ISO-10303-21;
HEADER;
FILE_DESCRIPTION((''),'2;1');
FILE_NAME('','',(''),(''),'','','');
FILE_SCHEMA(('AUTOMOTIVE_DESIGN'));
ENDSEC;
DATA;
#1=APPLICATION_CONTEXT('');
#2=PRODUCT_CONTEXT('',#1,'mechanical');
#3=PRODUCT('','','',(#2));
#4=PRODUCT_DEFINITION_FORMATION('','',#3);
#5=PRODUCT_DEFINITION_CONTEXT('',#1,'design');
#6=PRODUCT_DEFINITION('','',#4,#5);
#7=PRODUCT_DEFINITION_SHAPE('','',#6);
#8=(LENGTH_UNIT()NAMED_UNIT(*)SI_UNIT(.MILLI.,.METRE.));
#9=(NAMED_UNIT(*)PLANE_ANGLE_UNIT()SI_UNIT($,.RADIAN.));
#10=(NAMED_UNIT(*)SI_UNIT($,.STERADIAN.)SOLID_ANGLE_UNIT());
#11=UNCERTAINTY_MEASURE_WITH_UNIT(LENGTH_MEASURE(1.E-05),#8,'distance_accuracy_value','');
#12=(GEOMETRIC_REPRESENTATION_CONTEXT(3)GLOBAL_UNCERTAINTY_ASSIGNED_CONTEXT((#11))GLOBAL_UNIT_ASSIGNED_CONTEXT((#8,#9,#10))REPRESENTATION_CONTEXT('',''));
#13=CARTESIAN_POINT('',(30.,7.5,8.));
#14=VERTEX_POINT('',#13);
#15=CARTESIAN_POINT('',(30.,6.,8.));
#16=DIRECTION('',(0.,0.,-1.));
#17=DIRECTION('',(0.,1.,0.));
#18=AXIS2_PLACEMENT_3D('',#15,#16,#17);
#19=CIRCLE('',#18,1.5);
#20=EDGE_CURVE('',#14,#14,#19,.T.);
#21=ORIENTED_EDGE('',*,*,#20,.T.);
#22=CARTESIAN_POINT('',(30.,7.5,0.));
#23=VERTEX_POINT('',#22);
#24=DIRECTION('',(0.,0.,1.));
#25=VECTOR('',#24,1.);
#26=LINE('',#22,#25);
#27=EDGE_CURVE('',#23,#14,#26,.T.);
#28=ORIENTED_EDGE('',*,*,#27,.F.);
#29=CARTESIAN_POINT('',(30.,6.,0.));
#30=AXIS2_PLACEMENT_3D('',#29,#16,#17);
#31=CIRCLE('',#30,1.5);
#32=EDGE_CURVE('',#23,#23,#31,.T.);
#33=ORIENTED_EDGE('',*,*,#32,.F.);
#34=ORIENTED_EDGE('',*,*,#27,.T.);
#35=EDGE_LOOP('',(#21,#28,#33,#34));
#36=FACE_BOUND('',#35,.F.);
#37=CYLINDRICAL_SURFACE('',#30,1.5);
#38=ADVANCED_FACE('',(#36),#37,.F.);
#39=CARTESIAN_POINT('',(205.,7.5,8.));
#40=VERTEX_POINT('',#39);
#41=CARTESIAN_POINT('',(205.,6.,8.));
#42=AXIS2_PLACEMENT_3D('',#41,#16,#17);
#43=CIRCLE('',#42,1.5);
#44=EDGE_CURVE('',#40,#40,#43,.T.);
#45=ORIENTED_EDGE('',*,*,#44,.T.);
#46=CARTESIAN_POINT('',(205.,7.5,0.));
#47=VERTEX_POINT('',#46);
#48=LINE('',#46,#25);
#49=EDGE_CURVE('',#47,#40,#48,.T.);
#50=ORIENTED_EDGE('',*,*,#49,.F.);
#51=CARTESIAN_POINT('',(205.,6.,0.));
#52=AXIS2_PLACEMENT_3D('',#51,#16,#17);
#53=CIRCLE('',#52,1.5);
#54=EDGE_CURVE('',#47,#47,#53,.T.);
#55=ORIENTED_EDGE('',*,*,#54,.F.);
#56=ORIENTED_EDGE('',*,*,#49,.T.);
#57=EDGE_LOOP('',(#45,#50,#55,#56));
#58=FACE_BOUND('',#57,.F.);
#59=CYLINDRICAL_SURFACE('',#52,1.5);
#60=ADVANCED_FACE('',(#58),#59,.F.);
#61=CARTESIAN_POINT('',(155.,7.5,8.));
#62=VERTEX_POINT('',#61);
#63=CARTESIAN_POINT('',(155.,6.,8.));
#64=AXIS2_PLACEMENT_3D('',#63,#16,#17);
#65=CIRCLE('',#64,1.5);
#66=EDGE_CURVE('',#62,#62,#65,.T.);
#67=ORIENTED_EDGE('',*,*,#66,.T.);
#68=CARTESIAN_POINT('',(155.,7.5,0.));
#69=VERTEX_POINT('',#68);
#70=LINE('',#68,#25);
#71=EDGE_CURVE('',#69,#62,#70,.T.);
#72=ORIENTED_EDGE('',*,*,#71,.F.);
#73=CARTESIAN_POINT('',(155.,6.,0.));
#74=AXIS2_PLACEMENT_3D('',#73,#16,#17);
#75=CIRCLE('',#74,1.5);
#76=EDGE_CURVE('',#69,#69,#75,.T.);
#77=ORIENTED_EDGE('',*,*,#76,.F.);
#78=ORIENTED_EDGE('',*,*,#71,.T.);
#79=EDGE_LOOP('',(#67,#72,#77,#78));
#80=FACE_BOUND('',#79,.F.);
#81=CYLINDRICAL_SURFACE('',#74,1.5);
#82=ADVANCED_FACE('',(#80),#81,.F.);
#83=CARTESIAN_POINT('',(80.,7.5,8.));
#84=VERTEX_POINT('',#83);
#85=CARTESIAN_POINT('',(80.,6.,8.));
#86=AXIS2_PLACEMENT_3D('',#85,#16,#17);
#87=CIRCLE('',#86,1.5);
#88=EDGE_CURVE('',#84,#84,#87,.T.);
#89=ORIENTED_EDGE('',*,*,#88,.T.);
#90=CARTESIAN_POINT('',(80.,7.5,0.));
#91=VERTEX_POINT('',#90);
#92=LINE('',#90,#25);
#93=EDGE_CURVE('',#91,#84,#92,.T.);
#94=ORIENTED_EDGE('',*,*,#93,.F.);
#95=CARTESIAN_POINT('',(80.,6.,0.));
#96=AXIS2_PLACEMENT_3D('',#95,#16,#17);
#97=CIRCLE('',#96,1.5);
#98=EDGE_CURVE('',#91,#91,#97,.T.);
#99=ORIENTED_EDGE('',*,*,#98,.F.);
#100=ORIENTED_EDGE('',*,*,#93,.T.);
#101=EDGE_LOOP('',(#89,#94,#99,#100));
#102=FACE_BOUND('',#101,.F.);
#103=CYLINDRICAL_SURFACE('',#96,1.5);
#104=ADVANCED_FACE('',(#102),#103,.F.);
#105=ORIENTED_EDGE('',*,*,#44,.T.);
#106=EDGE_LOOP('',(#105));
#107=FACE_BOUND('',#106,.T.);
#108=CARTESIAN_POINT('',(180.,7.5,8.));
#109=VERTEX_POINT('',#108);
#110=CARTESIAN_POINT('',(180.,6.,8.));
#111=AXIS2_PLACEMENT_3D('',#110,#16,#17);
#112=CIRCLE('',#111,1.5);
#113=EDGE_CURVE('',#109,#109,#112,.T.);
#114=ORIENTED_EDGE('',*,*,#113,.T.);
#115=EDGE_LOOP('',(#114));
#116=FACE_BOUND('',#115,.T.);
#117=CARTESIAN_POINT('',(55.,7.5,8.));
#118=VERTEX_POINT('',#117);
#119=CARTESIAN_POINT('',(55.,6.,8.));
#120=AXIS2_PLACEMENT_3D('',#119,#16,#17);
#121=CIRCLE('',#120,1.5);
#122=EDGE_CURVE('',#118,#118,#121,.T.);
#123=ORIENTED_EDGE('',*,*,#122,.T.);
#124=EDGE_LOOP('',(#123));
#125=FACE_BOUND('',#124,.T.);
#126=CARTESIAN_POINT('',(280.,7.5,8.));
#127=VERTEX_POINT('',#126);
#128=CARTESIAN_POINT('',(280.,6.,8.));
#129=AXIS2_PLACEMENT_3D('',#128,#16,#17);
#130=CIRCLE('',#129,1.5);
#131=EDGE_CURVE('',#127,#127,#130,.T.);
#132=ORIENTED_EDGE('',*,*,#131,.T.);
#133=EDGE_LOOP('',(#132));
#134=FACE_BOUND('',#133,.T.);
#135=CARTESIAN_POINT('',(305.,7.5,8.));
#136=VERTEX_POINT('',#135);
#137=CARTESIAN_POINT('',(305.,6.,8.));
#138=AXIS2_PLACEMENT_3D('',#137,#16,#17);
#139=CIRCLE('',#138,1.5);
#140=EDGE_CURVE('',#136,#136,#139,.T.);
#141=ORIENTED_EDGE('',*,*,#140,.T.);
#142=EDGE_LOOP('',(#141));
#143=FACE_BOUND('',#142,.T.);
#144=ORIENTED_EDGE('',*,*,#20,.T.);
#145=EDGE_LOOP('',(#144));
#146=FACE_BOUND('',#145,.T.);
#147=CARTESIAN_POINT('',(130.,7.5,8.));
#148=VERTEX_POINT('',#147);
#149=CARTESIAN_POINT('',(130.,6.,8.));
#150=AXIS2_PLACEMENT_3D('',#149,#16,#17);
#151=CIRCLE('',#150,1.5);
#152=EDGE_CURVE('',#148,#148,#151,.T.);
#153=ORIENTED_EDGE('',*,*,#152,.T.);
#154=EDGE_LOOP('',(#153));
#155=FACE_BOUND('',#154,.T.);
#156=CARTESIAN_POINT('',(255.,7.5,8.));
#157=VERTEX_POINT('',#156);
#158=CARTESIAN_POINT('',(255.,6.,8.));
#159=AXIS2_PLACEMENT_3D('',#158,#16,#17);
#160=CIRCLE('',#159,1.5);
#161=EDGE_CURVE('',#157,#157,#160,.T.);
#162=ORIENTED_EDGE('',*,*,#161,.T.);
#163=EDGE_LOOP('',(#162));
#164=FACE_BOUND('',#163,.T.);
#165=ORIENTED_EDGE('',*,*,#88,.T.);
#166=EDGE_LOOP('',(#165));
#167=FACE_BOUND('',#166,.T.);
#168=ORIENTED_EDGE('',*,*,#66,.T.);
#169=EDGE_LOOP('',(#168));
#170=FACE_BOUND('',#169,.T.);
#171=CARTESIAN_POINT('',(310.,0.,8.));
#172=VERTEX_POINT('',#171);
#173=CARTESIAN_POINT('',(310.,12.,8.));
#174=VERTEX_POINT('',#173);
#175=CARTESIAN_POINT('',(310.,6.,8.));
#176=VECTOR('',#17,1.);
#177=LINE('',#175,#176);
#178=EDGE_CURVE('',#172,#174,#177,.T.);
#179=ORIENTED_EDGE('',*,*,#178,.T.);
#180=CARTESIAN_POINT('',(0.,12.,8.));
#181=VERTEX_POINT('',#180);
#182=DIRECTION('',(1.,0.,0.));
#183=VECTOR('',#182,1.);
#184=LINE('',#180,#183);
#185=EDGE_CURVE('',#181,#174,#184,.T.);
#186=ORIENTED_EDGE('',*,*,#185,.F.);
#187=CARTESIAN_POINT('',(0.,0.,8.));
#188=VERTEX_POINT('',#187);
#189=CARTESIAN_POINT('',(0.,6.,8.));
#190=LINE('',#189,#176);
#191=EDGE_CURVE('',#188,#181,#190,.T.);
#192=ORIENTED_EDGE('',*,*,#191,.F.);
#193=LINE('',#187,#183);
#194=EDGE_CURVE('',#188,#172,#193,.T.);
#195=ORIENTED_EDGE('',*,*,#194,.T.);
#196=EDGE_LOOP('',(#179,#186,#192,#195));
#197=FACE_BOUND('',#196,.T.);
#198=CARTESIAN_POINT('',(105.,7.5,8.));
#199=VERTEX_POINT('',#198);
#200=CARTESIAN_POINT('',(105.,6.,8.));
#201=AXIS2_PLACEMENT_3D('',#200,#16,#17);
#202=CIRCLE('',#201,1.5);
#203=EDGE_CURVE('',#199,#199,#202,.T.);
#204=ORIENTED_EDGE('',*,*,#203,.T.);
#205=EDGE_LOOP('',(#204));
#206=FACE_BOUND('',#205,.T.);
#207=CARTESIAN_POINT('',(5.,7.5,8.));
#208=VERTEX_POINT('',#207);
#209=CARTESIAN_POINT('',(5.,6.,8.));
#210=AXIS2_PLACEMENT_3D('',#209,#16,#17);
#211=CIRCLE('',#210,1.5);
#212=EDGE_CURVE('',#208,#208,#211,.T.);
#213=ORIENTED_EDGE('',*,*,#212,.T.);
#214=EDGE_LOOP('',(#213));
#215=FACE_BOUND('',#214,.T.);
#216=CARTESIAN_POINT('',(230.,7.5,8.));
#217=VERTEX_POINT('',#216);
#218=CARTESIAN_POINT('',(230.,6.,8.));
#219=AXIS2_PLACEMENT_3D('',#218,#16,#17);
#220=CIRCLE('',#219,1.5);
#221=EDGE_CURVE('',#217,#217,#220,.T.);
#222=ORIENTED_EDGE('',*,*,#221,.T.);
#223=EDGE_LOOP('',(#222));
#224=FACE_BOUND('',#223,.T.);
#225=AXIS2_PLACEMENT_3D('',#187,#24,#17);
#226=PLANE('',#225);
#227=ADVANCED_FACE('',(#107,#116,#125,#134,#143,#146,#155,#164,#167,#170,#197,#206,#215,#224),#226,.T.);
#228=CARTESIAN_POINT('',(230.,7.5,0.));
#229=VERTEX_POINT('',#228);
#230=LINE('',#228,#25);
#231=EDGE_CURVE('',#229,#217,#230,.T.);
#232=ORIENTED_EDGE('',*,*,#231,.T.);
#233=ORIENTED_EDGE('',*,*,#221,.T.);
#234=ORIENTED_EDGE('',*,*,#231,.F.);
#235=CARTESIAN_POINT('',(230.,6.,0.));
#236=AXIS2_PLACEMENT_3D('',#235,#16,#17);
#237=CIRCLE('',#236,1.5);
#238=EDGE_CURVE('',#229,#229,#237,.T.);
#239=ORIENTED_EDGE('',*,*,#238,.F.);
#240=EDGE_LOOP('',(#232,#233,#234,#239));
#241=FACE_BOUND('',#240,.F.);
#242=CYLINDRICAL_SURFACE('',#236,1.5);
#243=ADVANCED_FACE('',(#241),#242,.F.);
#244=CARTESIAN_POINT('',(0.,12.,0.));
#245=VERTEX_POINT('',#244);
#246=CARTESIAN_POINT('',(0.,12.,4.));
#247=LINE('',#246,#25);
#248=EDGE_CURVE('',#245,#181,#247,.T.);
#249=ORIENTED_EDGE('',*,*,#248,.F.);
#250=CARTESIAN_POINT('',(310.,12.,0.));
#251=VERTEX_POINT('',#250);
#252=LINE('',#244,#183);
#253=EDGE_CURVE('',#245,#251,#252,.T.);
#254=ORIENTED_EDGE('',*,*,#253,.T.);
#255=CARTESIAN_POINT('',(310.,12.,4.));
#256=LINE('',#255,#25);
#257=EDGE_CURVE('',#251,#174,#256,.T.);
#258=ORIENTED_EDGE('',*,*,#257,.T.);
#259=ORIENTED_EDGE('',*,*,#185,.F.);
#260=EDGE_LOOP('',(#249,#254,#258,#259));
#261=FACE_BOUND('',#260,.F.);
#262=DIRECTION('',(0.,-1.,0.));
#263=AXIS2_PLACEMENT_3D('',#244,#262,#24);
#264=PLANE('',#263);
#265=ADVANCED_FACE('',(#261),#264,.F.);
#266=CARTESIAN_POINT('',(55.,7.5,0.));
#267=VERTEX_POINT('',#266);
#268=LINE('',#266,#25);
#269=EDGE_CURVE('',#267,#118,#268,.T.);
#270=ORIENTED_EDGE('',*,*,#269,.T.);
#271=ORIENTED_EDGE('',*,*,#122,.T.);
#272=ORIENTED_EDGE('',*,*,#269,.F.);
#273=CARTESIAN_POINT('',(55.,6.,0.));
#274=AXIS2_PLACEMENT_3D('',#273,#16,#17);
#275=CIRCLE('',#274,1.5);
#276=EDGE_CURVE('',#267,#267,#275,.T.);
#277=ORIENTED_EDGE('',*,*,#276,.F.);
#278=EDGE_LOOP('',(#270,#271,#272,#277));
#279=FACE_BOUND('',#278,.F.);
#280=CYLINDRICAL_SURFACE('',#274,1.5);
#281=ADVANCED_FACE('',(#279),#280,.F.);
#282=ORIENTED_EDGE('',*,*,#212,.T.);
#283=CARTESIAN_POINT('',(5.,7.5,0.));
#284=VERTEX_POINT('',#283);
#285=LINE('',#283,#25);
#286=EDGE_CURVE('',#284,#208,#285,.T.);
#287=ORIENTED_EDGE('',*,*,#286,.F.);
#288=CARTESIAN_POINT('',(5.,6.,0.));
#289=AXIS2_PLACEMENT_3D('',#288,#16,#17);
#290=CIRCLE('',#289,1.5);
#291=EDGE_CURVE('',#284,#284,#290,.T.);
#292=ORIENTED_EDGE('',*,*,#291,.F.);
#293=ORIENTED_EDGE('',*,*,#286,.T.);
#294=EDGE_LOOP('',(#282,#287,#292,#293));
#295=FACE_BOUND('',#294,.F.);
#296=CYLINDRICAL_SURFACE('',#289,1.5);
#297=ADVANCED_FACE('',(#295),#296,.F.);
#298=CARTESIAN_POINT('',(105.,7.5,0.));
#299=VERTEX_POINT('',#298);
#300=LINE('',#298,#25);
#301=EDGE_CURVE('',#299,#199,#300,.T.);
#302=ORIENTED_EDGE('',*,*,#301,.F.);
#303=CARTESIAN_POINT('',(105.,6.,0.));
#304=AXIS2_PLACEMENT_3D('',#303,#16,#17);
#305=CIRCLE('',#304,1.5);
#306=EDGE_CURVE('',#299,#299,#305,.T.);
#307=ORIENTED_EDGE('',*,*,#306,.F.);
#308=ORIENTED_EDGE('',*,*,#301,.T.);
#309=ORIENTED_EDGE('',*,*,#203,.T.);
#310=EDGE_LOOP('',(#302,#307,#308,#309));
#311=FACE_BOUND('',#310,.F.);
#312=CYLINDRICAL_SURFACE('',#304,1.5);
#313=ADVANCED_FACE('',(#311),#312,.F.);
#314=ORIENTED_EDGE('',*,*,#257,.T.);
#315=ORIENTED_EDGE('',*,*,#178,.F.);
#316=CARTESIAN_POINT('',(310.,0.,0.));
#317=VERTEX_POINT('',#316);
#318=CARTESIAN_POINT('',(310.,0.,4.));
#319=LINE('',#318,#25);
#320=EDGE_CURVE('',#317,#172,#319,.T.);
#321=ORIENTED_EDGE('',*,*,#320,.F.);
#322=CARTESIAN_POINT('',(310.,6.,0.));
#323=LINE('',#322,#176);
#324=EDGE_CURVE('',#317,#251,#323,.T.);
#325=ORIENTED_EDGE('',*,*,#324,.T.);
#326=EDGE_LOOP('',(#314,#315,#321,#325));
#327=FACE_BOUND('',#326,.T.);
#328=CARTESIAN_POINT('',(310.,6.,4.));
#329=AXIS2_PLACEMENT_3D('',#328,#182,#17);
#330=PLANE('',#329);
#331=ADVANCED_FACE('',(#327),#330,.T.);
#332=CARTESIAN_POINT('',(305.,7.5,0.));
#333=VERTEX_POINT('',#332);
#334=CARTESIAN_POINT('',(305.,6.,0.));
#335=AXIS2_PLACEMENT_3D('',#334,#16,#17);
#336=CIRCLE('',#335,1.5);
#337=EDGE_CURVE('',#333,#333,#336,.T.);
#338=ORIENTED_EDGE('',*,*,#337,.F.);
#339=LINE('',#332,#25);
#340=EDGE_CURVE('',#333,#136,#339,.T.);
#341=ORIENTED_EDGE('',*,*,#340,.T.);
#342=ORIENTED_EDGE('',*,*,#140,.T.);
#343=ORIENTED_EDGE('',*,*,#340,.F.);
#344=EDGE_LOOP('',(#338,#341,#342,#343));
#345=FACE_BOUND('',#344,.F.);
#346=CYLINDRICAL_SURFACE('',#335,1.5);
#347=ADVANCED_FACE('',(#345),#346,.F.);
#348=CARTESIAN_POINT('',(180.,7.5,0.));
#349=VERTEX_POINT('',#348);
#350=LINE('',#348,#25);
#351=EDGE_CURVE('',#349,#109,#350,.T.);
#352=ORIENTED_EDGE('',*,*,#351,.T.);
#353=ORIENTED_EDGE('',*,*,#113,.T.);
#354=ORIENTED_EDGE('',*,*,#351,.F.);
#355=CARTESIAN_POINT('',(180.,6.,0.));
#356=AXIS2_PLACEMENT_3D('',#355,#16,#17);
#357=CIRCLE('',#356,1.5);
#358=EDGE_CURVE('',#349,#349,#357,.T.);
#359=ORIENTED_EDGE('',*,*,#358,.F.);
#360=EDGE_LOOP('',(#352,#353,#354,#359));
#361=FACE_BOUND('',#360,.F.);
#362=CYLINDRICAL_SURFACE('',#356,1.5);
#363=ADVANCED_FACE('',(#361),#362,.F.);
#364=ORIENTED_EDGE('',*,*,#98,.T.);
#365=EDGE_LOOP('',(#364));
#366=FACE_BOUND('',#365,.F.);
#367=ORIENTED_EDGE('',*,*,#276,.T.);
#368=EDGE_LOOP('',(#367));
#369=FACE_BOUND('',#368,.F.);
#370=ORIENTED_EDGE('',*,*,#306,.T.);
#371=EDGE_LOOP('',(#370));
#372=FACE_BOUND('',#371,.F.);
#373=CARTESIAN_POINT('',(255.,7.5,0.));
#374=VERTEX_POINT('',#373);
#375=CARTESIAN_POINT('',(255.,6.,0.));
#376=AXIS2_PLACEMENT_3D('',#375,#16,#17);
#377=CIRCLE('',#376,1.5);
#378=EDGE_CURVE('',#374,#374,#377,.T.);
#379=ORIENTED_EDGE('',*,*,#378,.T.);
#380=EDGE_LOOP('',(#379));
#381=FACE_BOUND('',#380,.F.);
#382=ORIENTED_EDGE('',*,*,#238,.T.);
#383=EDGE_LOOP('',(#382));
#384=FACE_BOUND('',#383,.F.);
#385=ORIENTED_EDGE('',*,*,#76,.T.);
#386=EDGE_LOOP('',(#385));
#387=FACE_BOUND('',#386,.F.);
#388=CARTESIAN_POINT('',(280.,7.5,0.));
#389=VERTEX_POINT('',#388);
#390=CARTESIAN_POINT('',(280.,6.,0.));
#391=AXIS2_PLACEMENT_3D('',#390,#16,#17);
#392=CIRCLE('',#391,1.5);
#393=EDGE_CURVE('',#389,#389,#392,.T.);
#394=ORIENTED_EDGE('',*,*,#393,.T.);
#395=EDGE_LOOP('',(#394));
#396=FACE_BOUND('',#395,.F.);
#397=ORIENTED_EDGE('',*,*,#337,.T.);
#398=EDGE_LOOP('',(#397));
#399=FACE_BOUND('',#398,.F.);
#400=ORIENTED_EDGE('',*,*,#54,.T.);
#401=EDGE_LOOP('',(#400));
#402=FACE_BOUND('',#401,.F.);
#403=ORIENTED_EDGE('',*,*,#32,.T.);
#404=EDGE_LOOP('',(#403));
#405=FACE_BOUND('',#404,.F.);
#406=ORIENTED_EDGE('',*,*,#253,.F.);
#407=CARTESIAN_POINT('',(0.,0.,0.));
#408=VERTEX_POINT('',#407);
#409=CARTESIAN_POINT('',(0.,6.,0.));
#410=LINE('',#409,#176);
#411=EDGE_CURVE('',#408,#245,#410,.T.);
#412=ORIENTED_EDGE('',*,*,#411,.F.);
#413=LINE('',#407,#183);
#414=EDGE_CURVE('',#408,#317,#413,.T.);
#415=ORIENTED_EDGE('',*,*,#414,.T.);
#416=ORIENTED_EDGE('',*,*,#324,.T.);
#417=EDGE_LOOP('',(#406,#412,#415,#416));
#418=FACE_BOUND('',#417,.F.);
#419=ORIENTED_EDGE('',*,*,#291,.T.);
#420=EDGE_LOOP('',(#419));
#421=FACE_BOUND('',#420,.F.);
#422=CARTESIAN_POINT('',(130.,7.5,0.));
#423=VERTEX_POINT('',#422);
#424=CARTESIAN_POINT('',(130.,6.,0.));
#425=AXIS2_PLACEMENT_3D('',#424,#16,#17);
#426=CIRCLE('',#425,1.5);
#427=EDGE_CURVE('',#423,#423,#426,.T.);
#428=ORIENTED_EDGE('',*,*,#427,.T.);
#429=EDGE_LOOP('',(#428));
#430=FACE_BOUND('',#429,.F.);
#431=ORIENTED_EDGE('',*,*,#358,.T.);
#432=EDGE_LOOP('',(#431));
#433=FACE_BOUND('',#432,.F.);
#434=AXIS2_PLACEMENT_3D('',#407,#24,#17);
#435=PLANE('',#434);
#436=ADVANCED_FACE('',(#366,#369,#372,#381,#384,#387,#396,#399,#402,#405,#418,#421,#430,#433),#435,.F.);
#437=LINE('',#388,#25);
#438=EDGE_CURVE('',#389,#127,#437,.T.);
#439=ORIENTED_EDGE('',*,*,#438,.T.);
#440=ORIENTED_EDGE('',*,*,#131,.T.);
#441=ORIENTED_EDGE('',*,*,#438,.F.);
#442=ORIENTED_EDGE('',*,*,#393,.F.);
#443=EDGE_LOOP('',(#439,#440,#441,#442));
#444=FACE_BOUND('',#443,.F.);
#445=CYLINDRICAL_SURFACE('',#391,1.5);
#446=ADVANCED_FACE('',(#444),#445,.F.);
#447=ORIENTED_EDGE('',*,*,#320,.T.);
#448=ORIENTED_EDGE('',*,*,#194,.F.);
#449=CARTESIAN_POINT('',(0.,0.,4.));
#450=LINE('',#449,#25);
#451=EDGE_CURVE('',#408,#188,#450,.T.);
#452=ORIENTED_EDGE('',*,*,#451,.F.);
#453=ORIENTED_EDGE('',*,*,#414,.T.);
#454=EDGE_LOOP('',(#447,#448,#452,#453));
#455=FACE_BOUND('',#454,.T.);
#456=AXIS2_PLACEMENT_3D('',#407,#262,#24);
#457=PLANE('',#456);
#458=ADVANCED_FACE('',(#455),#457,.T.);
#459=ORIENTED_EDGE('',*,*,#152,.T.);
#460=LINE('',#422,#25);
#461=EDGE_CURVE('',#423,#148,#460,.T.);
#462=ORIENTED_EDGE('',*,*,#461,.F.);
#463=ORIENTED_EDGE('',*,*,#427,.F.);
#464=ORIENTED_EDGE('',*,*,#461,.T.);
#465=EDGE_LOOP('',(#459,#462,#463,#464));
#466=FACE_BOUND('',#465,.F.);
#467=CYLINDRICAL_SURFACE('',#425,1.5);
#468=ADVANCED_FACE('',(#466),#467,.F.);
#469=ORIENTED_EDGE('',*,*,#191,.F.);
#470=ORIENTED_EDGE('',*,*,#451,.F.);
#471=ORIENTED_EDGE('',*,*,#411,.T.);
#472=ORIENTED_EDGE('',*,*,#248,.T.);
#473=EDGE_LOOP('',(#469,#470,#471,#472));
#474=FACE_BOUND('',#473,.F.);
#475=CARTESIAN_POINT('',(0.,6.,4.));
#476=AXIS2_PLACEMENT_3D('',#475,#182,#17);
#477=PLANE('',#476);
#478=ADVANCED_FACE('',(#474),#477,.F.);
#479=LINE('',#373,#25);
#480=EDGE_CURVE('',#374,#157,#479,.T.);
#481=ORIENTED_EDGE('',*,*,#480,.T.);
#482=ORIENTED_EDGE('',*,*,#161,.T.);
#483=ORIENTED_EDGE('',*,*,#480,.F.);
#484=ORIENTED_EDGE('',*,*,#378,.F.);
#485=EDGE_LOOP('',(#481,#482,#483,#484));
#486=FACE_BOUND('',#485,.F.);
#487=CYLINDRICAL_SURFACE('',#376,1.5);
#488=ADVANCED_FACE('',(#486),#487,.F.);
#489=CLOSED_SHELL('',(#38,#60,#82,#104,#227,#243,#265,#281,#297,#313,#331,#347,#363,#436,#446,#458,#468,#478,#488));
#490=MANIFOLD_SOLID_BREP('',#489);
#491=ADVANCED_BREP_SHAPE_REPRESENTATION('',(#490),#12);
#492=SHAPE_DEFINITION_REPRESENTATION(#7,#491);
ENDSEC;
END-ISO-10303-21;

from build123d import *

# Parameters (mm, degrees)
SKETCH_W             = 12
SKETCH_H             = 8
PAD_DEPTH            = 310
SKETCH001_R          = 1.5
POCKET_DEPTH         = 8.001
LINEARPATTERN_COUNT  = 13
LINEARPATTERN_PITCH  = 25
BODY_ROLL_ANGLE      = 90
BODY_PLACEMENT_ANGLE = 90


with BuildPart() as part:
    # Sketch → Pad (new body)
    with BuildSketch(Plane.XY):
        Rectangle(SKETCH_W, SKETCH_H)
    extrude(amount=PAD_DEPTH)

    # Sketch001 (on Face3 of Pad) → Pocket (cut, through all)
    with BuildSketch(Plane.XZ.offset(4)):
        with Locations((0, 305)):
            Circle(SKETCH001_R)
    pocket = extrude(amount=-POCKET_DEPTH, mode=Mode.SUBTRACT)

    # LinearPattern: Pocket ×13
    with Locations(*[(0, 0, -i * LINEARPATTERN_PITCH) for i in range(1, LINEARPATTERN_COUNT)]):
        add(pocket, mode=Mode.SUBTRACT)


with BuildPart() as part_1:
    # Body roll: moved
    add(part.part.rotate(Axis((0, 0, 0), (1, 0, 0)), BODY_ROLL_ANGLE))


with BuildPart() as part_2:
    # Body placement: moved
    add(part_1.part.moved(Location((0, 6, 4))).rotate(Axis((0, 6, 4), (0, 0, 1)), BODY_PLACEMENT_ANGLE))


solid = part_2.part
